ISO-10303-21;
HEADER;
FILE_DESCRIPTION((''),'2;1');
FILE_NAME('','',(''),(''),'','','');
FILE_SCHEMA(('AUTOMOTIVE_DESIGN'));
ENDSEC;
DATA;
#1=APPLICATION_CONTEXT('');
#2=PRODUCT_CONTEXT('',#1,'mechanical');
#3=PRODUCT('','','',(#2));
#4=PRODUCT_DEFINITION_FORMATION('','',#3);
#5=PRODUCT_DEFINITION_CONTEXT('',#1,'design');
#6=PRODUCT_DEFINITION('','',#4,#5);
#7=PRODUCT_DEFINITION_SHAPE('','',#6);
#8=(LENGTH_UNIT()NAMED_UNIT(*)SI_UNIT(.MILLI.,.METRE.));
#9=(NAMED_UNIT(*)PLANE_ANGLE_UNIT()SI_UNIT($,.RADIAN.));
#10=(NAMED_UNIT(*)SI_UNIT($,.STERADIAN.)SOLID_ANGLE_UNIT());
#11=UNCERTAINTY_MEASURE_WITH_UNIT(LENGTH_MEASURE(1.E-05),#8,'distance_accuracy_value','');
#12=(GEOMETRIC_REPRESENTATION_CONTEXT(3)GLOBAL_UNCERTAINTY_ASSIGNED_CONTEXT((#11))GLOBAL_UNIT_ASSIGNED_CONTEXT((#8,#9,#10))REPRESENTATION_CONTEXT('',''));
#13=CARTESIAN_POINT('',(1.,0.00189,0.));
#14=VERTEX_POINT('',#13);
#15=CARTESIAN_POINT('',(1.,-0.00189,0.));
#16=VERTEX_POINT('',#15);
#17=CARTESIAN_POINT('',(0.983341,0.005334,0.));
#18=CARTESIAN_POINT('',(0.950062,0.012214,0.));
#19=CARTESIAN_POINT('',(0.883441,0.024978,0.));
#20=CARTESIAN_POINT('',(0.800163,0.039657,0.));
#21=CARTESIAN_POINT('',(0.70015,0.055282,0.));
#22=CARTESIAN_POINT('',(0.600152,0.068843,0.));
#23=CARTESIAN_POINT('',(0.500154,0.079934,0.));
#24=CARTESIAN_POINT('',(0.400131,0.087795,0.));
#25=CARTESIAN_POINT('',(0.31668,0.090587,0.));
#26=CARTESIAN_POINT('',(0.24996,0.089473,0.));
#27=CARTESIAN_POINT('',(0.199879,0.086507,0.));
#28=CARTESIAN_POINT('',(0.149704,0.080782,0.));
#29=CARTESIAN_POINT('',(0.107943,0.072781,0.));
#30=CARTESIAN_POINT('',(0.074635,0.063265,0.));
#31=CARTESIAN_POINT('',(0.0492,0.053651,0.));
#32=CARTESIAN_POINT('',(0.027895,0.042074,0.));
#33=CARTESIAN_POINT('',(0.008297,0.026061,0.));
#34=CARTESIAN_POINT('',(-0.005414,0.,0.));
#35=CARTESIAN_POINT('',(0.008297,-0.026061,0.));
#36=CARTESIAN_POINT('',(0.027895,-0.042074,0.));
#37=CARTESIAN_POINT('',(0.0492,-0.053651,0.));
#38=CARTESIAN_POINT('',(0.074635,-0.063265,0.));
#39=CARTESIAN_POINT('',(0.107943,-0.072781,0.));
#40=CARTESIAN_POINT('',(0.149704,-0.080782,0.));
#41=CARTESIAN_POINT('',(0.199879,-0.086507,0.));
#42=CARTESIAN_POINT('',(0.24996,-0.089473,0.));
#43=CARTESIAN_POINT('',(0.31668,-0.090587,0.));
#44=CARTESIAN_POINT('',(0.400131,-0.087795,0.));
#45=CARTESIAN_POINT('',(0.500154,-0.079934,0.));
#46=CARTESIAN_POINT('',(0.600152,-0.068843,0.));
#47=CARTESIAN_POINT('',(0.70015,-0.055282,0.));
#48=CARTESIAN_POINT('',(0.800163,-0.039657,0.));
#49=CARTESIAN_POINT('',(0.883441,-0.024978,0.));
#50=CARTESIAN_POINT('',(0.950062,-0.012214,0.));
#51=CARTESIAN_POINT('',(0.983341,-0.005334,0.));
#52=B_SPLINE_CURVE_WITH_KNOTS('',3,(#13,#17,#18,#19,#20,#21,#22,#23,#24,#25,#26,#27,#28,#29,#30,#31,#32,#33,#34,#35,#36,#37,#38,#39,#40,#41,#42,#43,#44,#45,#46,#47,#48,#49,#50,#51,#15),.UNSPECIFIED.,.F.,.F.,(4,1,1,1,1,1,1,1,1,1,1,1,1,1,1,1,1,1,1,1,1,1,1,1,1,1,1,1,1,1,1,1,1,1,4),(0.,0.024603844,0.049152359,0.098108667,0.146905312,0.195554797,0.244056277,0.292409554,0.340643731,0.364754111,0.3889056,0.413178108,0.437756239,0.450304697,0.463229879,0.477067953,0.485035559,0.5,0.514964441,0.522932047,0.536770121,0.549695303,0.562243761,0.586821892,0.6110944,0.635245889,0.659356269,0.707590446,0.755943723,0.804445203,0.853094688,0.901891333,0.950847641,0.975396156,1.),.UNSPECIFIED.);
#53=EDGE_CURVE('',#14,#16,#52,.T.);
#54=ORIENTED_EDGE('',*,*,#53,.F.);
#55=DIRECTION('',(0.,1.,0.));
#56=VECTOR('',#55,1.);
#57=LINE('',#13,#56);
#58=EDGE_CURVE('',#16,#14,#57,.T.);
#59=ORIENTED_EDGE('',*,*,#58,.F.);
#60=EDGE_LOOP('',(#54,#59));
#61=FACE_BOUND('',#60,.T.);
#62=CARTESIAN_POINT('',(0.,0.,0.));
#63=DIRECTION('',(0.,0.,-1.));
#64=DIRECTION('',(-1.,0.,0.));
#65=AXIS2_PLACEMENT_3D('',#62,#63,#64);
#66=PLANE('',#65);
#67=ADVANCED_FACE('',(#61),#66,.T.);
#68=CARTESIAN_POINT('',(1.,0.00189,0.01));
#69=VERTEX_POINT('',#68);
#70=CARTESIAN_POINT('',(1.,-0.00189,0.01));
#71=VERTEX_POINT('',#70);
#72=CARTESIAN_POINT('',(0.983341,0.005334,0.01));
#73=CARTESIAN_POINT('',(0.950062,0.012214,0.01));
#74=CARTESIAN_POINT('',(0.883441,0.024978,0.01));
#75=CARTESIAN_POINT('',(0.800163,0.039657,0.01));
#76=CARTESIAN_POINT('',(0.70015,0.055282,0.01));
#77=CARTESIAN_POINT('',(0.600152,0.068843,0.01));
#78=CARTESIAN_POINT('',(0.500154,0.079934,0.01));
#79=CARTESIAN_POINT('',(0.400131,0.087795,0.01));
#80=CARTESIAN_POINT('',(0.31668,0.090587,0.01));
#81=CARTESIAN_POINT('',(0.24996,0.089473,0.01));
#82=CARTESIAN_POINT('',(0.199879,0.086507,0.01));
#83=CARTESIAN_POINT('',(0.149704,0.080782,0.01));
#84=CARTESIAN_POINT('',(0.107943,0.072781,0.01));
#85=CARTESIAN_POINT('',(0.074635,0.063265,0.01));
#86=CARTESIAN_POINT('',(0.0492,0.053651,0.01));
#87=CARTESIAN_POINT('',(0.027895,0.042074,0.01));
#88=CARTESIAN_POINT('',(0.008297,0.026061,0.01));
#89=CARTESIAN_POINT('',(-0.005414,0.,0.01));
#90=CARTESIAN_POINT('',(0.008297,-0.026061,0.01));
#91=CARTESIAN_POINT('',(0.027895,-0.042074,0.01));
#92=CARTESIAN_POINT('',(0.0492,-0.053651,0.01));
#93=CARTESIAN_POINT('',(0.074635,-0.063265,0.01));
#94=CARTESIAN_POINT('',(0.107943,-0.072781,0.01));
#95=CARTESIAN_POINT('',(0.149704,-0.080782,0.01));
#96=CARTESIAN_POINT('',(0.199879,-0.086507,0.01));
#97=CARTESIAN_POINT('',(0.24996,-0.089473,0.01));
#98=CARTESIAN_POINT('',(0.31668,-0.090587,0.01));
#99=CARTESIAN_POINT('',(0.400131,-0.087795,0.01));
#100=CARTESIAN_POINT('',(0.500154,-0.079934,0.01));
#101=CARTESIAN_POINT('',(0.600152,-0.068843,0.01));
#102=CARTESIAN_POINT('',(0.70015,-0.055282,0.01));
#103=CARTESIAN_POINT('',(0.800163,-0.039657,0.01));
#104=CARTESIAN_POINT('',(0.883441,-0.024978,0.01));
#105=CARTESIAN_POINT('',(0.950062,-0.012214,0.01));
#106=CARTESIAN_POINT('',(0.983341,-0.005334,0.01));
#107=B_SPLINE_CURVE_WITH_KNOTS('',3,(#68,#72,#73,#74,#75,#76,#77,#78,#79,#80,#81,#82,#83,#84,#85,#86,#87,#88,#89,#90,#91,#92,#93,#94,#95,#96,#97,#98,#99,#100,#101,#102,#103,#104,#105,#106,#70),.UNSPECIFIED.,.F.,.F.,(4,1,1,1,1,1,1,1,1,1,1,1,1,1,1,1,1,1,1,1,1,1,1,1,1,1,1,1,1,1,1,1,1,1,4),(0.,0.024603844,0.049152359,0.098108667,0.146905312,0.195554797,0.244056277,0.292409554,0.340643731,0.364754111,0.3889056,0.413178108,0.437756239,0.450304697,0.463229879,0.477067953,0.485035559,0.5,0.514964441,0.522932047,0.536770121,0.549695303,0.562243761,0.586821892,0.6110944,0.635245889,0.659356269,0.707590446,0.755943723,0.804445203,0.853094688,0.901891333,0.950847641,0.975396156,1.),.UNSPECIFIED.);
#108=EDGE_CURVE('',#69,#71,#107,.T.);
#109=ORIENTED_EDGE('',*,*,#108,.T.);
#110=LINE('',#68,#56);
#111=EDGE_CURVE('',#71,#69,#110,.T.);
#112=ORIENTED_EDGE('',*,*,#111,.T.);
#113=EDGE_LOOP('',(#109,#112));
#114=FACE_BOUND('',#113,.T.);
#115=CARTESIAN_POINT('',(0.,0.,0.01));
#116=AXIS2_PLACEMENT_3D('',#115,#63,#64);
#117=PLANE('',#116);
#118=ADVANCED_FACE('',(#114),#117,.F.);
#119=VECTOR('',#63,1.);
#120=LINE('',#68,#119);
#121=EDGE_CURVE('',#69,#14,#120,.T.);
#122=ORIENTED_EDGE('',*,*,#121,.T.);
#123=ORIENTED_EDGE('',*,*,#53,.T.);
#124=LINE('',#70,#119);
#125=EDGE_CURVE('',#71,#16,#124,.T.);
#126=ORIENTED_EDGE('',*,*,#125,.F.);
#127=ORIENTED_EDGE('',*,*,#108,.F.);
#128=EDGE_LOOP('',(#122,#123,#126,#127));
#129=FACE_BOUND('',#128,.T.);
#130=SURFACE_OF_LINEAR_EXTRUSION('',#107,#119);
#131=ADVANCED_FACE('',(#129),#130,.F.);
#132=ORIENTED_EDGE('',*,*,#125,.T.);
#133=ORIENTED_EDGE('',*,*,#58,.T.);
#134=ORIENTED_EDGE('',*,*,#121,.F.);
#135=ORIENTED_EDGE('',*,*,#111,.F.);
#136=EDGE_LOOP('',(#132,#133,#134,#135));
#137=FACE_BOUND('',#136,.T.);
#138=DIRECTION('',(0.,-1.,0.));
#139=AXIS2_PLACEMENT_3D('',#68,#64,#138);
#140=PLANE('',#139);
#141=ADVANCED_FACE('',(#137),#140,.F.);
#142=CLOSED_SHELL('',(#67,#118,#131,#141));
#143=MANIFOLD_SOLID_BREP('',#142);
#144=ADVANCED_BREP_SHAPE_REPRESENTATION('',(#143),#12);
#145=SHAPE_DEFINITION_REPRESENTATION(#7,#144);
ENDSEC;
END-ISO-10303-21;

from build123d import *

# Parameters (mm, degrees)
BOSS_EXTRUDE1_DEPTH = 0.01


with BuildPart() as part:
    # Sketch1 → Boss-Extrude1 (new body)
    with BuildSketch(Plane.XY):
        with BuildLine():
            Line((1, 0.00189), (1, -0.00189))
            add(Edge.make_bspline(
                [(1, 0.00189), (0.983341446, 0.005333831), (0.950061799, 0.012213748), (0.883441372, 0.024978318), (0.800162879, 0.039656742), (0.700149964, 0.055281688), (0.600152498, 0.068842889), (0.500153663, 0.079934172), (0.400130752, 0.087795052), (0.316680277, 0.090587286), (0.249959662, 0.089472879), (0.199878691, 0.086507307), (0.149703565, 0.080781722), (0.10794307, 0.07278077), (0.074635308, 0.063264864), (0.049199657, 0.053650936), (0.027894571, 0.042073817), (0.008297026, 0.026061248), (-0.005414273, 0), (0.008297026, -0.026061248), (0.027894571, -0.042073817), (0.049199657, -0.053650936), (0.074635308, -0.063264864), (0.10794307, -0.07278077), (0.149703565, -0.080781722), (0.199878691, -0.086507307), (0.249959662, -0.089472879), (0.316680277, -0.090587286), (0.400130752, -0.087795052), (0.500153663, -0.079934172), (0.600152498, -0.068842889), (0.700149964, -0.055281688), (0.800162879, -0.039656742), (0.883441372, -0.024978318), (0.950061799, -0.012213748), (0.983341446, -0.005333831), (1, -0.00189)],
                knots=[0, 0, 0, 0, 0.024603844, 0.049152359, 0.098108667, 0.146905312, 0.195554797, 0.244056277, 0.292409554, 0.340643731, 0.364754111, 0.3889056, 0.413178108, 0.437756239, 0.450304697, 0.463229879, 0.477067953, 0.485035559, 0.5, 0.514964441, 0.522932047, 0.536770121, 0.549695303, 0.562243761, 0.586821892, 0.6110944, 0.635245889, 0.659356269, 0.707590446, 0.755943723, 0.804445203, 0.853094688, 0.901891333, 0.950847641, 0.975396156, 1, 1, 1, 1], degree=3))
        make_face()
    extrude(amount=BOSS_EXTRUDE1_DEPTH)


solid = part.part
